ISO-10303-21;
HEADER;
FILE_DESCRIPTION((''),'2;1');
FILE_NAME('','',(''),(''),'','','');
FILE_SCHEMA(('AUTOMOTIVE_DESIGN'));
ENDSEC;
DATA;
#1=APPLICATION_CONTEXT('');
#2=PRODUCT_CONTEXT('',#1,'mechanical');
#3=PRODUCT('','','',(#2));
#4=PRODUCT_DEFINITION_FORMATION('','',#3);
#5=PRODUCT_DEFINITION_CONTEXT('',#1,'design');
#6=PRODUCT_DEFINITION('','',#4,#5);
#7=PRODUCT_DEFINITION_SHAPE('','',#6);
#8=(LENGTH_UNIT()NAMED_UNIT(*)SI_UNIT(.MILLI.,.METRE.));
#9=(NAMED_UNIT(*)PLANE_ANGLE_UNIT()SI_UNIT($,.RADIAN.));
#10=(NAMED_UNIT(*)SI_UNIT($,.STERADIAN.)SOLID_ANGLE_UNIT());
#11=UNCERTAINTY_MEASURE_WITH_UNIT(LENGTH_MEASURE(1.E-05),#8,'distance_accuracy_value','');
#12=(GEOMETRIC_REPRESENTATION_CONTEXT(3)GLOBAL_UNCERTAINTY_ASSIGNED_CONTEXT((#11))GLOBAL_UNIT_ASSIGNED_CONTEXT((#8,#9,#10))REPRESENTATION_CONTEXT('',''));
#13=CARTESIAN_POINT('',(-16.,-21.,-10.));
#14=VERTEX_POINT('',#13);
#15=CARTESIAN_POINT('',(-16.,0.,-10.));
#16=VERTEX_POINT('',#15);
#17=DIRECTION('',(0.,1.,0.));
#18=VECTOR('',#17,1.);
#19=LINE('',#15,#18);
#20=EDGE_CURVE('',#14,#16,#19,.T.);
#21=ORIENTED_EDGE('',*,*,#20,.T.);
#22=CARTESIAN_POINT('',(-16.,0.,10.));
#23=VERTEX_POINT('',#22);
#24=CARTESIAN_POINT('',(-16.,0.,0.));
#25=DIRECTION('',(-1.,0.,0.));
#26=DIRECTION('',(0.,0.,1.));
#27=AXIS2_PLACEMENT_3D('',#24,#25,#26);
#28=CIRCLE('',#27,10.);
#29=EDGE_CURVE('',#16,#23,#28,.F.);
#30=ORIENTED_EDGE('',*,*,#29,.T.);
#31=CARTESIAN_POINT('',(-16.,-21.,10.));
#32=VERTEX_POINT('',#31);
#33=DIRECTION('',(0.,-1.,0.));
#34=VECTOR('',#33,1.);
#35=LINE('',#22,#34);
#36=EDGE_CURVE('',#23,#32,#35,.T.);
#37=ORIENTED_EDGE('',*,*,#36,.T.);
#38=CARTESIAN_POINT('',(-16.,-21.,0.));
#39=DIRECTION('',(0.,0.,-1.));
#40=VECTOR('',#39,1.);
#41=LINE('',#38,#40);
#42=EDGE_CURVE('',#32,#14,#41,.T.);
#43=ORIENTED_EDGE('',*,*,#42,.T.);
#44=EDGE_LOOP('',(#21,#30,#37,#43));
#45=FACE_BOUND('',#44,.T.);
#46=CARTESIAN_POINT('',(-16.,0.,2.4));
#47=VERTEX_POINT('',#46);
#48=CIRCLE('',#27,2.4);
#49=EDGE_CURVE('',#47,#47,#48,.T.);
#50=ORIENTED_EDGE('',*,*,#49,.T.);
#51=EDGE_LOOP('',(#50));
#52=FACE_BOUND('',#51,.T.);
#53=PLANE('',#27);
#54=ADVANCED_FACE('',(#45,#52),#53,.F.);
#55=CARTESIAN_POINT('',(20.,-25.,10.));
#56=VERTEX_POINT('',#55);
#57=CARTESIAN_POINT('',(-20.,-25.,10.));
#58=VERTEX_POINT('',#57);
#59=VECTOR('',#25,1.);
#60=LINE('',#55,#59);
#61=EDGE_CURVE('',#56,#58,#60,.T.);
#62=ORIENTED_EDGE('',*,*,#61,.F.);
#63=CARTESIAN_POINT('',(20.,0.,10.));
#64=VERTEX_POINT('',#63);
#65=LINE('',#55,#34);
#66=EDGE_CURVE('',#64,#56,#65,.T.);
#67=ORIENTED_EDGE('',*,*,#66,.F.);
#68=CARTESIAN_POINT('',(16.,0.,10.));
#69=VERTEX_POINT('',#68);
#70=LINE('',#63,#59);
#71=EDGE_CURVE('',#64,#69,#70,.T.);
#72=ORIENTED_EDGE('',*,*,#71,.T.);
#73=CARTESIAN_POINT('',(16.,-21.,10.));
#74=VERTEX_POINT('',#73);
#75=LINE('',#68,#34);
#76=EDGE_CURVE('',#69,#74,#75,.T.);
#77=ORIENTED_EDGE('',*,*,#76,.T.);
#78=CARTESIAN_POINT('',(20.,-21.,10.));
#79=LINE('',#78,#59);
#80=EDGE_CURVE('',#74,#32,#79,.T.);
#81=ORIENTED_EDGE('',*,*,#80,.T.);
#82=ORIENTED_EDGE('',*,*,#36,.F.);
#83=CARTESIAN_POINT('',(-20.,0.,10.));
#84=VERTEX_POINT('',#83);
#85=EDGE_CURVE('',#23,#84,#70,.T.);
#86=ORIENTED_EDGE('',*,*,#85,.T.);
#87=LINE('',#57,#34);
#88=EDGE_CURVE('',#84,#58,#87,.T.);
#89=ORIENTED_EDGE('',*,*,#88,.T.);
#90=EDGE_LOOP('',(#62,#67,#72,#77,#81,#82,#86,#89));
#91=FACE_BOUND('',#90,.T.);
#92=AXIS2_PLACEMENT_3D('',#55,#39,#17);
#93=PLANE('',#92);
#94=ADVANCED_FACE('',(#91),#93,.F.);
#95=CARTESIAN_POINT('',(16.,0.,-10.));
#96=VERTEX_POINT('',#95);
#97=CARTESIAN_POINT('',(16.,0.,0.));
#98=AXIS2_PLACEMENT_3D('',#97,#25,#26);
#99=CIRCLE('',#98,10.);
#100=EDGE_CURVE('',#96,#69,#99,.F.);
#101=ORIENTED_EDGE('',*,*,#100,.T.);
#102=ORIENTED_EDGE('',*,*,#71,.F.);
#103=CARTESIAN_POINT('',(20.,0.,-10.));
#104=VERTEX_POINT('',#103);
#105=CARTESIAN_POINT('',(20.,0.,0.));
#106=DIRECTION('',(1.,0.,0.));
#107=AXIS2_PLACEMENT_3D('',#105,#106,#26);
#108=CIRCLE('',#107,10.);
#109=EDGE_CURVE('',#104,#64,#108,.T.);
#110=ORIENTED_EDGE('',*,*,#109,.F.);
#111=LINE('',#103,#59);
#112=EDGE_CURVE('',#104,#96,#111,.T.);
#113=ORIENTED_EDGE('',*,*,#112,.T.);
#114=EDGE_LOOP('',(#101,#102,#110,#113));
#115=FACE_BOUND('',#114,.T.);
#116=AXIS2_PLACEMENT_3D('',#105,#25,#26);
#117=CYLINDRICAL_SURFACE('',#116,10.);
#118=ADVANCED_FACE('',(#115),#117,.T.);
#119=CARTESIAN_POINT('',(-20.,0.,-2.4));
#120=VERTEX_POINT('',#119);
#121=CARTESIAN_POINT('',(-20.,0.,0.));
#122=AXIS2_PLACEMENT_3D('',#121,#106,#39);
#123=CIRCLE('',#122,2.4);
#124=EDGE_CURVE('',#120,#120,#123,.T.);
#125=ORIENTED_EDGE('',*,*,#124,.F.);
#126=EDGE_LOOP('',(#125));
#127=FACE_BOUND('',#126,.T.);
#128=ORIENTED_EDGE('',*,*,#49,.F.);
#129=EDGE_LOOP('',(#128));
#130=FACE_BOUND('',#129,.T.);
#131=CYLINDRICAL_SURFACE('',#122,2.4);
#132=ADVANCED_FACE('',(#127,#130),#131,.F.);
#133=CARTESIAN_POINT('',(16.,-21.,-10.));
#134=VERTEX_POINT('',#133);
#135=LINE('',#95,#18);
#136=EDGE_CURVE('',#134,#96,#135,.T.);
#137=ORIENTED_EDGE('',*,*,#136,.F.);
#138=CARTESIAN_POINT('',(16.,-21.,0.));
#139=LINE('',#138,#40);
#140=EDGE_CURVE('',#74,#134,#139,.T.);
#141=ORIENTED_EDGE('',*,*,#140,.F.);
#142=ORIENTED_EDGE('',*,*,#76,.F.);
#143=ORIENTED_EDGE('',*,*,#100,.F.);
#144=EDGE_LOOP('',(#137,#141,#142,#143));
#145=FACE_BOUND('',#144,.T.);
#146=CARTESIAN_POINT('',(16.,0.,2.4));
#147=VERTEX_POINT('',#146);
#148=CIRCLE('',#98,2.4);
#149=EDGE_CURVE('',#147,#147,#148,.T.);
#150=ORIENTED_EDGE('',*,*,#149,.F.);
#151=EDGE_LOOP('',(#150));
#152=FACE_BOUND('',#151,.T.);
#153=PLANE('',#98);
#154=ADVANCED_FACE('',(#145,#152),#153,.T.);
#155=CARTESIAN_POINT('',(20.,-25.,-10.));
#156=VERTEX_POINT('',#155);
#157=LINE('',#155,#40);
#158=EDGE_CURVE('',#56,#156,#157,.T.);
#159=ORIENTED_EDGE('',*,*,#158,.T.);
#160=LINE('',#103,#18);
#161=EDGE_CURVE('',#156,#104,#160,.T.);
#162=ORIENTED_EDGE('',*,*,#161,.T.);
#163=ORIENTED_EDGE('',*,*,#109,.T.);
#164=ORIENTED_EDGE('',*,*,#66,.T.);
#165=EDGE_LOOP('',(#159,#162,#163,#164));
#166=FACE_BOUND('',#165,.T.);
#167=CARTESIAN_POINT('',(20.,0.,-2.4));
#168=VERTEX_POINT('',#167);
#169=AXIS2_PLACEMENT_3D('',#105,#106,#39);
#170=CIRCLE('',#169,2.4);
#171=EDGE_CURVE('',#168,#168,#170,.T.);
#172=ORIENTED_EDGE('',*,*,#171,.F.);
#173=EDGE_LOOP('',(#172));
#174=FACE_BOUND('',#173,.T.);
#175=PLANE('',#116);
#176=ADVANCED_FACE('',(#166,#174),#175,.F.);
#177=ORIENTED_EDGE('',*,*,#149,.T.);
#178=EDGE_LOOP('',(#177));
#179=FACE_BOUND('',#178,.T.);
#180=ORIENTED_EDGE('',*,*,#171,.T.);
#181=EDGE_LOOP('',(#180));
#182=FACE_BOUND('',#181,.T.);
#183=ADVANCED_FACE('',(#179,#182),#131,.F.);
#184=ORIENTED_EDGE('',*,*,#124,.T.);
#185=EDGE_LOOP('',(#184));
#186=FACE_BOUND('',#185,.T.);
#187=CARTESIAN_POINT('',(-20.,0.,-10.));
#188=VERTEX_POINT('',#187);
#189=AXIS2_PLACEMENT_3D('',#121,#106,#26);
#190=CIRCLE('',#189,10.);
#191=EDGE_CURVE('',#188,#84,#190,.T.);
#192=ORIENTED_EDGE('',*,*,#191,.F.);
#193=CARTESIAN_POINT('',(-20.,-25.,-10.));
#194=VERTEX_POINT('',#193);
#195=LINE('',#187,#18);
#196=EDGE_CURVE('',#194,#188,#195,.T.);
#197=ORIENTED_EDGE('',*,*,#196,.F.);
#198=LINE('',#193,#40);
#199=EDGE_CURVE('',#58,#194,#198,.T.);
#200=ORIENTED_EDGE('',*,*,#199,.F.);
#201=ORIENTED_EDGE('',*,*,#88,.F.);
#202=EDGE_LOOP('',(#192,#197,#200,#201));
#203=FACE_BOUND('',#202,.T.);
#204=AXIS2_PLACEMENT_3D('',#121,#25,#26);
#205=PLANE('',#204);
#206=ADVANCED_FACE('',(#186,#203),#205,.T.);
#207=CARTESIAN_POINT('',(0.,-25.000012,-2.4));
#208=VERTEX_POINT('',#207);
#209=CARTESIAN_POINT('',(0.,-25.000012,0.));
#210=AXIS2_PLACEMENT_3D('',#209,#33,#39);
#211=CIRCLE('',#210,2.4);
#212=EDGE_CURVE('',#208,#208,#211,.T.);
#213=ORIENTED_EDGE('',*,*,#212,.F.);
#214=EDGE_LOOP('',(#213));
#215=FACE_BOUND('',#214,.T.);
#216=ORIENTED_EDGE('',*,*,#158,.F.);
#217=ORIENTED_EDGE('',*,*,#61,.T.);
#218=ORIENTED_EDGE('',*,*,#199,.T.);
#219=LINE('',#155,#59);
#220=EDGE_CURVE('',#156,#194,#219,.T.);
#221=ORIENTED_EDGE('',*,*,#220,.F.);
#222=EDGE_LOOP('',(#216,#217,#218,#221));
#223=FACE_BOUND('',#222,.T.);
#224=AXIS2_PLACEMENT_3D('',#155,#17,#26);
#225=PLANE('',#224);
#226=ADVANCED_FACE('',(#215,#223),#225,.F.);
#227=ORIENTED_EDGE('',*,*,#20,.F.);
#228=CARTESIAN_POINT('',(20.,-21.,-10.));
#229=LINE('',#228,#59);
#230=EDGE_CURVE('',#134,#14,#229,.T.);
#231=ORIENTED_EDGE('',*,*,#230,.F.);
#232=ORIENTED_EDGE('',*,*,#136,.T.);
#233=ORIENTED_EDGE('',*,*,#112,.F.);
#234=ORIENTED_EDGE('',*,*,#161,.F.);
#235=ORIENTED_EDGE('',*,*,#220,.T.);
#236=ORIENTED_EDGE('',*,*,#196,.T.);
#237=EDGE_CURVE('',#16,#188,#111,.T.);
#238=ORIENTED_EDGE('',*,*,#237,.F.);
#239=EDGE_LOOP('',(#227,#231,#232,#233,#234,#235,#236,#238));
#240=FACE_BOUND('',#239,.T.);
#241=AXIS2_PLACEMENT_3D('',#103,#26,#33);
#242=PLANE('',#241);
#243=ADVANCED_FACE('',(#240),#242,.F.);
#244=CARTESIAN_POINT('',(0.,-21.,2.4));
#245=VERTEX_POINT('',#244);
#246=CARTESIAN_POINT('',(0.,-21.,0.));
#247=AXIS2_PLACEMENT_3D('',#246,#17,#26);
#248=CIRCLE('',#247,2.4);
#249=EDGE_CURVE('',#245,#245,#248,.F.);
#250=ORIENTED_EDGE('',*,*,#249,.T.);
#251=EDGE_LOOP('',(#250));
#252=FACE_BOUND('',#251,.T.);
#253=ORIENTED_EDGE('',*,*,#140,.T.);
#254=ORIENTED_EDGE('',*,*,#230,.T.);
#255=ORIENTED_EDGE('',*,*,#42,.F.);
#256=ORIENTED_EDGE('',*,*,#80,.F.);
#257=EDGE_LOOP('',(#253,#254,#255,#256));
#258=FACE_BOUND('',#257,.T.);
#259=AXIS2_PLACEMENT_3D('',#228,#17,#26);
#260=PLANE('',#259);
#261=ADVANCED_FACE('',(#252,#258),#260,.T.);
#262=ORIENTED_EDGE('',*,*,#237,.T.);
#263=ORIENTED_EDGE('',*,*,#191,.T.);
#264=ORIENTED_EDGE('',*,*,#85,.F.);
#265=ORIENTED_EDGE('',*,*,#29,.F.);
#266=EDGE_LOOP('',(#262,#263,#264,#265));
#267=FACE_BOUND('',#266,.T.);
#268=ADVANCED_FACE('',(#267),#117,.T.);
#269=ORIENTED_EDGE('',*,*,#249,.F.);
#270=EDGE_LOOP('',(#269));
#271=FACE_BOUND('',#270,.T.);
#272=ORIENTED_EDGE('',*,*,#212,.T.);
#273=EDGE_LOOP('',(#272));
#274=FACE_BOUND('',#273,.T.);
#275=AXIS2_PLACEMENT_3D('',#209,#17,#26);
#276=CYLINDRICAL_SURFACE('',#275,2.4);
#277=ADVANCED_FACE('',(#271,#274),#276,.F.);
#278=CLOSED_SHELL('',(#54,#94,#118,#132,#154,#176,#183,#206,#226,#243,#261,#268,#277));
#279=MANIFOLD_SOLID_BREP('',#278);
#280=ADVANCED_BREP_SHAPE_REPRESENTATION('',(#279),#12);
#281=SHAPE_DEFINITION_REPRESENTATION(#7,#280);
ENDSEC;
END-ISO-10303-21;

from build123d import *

# Parameters (mm, degrees)
SHOULDER_DEPTH               = 20
SHELL_T                      = -4
SKETCH2_R                    = 2.4
PIVOT_HOLES_DEPTH            = 49.218253805
BASE_MOUNT_REACH             = 43.533
SKETCH4_R                    = 2.4
BASE_MOUNT_DIRECTION_2_DEPTH = 42.533119315


with BuildPart() as part:
    # Sketch1 → shoulder (new, symmetric)
    with BuildSketch(Plane(origin=(0, 0, 0), x_dir=(0, 0, -1), z_dir=(1, 0, 0))):
        with BuildLine():
            Line((10, 0), (10, -25))
            Line((10, -25), (-10, -25))
            Line((-10, -25), (-10, 0))
            ThreePointArc((-10, 0), (0, 10), (10, 0))
        make_face()
    extrude(amount=SHOULDER_DEPTH, both=True)

    # shell
    shell_openings = [part.faces().sort_by_distance(p)[0] for p in [
        (0, -12.5, -10),
        (0, -12.5, 10),
        (0, 10, 0),
    ]]
    offset(amount=SHELL_T, openings=shell_openings, kind=Kind.INTERSECTION)

    # Sketch2 → pivot holes (cut, through all)
    with BuildSketch(Plane(origin=(20, 0, 0), x_dir=(0, 0, -1), z_dir=(1, 0, 0))):
        Circle(SKETCH2_R)
    extrude(amount=-PIVOT_HOLES_DEPTH, mode=Mode.SUBTRACT)

    # Sketch4 → base mount (cut, up to next)
    with BuildSketch(Plane.XZ.offset(25), mode=Mode.PRIVATE) as base_mount_sk1:
        with Locations(Location((0, 0, 0), (0, 0, 90))):
            Circle(SKETCH4_R)
    base_mount_tool1 = extrude(base_mount_sk1.sketch, amount=-BASE_MOUNT_REACH, mode=Mode.PRIVATE) & part.part
    add(base_mount_tool1.solids().sort_by_distance((0, -25, 0))[0], mode=Mode.SUBTRACT)

    # Sketch4 → base mount direction 2 (cut)
    with BuildSketch(Plane.XZ.offset(25)):
        with Locations(Location((0, 0, 0), (0, 0, 90))):
            Circle(SKETCH4_R)
    extrude(amount=BASE_MOUNT_DIRECTION_2_DEPTH, mode=Mode.SUBTRACT)


solid = part.part
